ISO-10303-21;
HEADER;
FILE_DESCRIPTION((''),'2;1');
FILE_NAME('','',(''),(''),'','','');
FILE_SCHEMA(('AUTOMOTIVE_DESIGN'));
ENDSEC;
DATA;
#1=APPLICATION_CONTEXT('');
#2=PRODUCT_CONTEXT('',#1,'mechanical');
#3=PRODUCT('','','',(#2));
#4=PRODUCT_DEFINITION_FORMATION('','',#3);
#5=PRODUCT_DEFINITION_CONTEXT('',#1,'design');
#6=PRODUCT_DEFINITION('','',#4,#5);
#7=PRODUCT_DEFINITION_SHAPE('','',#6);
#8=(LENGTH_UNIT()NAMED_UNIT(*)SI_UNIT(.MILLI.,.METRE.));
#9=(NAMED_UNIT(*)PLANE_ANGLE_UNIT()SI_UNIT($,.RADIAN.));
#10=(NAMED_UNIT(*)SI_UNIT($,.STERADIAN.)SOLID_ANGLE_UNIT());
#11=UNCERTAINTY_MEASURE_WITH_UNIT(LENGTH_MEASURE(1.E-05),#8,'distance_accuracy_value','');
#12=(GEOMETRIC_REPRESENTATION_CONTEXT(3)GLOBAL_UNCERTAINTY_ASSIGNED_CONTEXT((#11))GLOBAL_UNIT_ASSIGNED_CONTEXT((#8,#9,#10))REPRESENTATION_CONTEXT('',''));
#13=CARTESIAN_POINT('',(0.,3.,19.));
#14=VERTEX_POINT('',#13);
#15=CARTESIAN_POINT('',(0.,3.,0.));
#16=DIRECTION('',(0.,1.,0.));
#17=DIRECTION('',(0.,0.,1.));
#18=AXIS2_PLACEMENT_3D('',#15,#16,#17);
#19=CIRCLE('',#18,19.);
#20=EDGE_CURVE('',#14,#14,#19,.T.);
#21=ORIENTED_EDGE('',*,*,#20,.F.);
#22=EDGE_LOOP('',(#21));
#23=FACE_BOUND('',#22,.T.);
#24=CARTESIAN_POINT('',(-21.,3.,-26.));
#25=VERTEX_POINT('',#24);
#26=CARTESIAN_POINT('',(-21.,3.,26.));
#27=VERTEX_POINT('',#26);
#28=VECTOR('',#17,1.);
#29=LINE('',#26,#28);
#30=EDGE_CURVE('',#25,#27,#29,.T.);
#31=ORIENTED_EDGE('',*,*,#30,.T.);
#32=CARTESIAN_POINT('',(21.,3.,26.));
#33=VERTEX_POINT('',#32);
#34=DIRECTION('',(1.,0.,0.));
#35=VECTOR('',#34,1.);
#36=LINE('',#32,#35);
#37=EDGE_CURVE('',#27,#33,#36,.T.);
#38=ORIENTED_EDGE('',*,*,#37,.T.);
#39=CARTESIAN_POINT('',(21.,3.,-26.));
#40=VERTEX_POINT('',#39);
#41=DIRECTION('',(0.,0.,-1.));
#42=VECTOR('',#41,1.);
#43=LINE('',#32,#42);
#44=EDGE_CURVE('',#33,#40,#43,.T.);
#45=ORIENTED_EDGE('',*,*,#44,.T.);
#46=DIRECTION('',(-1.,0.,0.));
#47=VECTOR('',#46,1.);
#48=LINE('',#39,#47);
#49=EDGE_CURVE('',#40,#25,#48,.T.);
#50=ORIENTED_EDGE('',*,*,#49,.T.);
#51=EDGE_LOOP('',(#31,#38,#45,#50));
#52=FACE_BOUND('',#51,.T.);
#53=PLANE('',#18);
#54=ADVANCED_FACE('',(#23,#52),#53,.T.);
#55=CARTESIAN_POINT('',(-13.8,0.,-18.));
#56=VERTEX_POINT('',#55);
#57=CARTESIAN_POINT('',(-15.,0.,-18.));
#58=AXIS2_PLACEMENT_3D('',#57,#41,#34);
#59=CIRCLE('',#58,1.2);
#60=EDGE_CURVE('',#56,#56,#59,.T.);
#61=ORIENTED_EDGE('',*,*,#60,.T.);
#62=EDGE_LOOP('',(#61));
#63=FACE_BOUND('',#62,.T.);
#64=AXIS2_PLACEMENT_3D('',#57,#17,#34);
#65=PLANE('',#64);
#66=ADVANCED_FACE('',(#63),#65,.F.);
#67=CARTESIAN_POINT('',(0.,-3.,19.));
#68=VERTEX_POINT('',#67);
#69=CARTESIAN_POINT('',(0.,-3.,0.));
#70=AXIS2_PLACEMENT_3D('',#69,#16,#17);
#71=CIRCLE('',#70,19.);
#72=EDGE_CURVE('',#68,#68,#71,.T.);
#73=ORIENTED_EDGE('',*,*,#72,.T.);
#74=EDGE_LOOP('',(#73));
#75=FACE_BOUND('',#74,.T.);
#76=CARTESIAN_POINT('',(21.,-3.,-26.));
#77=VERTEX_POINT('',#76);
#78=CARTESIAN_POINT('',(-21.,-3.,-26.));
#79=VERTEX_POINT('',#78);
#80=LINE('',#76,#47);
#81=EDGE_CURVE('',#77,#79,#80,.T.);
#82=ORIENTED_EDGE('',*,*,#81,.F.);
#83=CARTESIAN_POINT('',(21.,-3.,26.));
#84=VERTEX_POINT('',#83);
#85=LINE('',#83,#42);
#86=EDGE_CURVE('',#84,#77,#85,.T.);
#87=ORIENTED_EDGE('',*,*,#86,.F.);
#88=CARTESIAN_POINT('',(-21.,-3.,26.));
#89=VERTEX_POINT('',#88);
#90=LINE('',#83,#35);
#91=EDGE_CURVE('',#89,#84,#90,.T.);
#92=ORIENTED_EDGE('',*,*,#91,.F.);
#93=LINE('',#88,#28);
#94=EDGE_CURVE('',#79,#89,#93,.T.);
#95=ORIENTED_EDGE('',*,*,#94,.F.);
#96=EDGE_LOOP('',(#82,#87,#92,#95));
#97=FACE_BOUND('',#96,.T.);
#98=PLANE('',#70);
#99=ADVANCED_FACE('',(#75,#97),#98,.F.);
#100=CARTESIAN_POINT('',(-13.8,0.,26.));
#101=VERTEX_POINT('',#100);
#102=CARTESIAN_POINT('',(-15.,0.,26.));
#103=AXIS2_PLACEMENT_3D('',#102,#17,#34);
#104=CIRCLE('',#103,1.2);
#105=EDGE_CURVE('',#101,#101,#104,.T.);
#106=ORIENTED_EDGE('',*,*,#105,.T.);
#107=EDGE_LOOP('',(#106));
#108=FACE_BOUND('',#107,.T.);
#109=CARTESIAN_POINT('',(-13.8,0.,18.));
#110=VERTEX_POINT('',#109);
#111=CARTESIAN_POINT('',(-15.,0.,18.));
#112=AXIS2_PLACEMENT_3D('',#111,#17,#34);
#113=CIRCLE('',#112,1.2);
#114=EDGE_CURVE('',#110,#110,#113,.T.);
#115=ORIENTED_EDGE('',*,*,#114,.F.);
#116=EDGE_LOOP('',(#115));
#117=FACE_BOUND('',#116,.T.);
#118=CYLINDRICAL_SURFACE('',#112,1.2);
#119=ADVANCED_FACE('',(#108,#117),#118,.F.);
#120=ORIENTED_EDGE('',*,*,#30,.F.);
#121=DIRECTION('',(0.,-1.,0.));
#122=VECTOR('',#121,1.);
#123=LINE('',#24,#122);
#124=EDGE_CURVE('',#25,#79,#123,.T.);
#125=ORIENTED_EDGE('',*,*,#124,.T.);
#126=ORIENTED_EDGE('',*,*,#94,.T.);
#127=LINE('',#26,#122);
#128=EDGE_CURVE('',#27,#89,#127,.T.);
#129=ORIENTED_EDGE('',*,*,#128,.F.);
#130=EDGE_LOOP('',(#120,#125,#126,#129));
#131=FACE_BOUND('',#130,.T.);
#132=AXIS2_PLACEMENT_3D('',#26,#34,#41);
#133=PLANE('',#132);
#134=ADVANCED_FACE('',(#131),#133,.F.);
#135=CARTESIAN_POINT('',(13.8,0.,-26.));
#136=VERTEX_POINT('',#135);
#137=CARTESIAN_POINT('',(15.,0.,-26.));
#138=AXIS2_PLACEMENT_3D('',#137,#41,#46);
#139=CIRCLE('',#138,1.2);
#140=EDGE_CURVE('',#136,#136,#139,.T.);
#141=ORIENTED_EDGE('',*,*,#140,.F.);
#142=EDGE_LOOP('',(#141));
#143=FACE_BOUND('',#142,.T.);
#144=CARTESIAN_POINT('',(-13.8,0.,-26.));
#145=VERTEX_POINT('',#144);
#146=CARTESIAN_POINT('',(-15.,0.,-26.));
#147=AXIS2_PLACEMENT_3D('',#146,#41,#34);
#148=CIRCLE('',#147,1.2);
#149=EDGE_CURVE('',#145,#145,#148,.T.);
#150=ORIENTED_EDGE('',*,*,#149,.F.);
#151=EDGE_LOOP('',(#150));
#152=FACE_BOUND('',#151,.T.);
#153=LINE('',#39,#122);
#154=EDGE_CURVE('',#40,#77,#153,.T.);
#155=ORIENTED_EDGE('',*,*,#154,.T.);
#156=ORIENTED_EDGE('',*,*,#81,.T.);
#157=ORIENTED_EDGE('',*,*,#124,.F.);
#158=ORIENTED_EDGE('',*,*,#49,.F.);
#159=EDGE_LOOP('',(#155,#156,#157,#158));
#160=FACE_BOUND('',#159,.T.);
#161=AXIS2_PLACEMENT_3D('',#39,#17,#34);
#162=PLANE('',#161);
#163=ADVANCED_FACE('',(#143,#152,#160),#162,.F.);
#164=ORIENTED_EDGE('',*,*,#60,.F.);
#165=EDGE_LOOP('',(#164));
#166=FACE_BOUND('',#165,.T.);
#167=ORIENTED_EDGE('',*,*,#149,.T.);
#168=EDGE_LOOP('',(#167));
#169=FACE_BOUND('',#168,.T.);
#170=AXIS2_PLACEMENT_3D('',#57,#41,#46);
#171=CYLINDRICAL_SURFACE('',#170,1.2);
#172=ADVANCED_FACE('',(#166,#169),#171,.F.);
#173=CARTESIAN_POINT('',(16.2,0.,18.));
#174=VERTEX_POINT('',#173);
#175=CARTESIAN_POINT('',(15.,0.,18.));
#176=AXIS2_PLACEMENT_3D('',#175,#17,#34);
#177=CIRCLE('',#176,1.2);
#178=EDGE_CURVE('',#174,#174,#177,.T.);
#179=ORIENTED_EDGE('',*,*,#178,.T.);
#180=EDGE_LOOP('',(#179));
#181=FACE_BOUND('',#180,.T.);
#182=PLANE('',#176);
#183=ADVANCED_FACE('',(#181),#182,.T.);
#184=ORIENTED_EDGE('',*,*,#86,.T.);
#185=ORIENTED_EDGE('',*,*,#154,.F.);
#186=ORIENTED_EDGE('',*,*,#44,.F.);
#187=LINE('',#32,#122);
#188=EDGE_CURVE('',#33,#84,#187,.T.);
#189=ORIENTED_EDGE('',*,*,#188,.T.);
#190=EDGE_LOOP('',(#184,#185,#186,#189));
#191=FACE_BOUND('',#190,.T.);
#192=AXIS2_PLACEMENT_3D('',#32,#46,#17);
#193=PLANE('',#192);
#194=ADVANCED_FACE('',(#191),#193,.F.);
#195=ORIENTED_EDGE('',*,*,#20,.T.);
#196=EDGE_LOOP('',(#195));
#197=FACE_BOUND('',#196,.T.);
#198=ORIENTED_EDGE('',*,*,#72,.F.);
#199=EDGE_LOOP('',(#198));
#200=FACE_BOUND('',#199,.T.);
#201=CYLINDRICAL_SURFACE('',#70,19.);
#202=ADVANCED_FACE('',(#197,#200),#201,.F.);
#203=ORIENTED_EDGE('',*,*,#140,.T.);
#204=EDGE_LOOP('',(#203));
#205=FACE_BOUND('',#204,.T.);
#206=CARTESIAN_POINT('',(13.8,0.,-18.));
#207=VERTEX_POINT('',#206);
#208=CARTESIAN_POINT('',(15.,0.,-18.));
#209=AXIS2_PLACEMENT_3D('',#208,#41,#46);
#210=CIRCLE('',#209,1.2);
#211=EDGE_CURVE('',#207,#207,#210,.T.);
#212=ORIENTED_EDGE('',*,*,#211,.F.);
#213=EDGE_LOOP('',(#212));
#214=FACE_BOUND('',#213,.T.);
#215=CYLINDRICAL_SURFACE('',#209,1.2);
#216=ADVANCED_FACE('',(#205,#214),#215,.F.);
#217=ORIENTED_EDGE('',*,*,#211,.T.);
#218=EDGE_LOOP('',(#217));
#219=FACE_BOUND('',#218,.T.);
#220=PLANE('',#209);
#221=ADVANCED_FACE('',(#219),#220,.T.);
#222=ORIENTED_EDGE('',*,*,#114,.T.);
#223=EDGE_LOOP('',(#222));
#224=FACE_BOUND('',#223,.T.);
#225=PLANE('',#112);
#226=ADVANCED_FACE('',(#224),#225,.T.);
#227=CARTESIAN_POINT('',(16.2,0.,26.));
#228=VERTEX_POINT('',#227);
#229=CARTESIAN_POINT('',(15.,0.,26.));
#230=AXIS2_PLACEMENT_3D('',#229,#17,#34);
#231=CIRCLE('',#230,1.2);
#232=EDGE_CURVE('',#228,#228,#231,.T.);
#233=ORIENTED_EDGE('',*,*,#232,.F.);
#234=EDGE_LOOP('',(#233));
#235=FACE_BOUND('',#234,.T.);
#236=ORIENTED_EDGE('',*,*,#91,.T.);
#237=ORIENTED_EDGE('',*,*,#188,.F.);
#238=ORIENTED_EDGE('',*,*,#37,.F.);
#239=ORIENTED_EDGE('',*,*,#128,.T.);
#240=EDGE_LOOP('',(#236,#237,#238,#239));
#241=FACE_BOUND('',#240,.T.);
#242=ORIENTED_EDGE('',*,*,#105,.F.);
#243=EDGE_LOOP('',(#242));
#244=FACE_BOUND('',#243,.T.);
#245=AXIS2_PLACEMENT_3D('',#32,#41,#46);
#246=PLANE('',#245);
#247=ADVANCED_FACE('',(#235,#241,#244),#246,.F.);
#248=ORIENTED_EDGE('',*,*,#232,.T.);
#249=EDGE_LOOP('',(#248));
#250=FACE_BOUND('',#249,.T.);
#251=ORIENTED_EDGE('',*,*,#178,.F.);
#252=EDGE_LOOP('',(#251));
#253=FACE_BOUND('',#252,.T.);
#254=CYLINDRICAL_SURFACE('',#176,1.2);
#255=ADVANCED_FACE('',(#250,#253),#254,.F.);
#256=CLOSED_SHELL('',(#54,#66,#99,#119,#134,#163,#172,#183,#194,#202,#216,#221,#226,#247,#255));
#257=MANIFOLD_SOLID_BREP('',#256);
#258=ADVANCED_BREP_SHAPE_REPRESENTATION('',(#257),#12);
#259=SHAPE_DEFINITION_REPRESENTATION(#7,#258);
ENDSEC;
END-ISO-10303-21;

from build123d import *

# Parameters (mm, degrees)
SKETCH1_W           = 42
SKETCH1_H           = 52
BOSS_EXTRUDE1_DEPTH = 3
SKETCH2_R           = 19
CUT_EXTRUDE1_DEPTH  = 7
SKETCH3_R           = 1.2
CUT_EXTRUDE2_DEPTH  = 8
SKETCH4_R           = 1.2
CUT_EXTRUDE3_DEPTH  = 8


with BuildPart() as part:
    # Sketch1 → Boss-Extrude1 (new body, symmetric)
    with BuildSketch(Plane(origin=(0, 0, 0), x_dir=(1, 0, 0), z_dir=(0, 1, 0))):
        Rectangle(SKETCH1_W, SKETCH1_H)
    extrude(amount=BOSS_EXTRUDE1_DEPTH, both=True)

    # Sketch2 → Cut-Extrude1 (cut, through all)
    with BuildSketch(Plane(origin=(0, 3, 0), x_dir=(1, 0, 0), z_dir=(0, 1, 0))):
        Circle(SKETCH2_R)
    extrude(amount=-CUT_EXTRUDE1_DEPTH, mode=Mode.SUBTRACT)

    # Sketch3 → Cut-Extrude2 (cut)
    with BuildSketch(Plane(origin=(0, 0, -26), x_dir=(-1, 0, 0), z_dir=(0, 0, -1))):
        with Locations((-15, 0)):
            Circle(SKETCH3_R)
        with Locations((15, 0)):
            Circle(SKETCH3_R)
    extrude(amount=-CUT_EXTRUDE2_DEPTH, mode=Mode.SUBTRACT)

    # Sketch4 → Cut-Extrude3 (cut)
    with BuildSketch(Plane.XY.offset(26)):
        with Locations((15, 0)):
            Circle(SKETCH4_R)
        with Locations((-15, 0)):
            Circle(SKETCH4_R)
    extrude(amount=-CUT_EXTRUDE3_DEPTH, mode=Mode.SUBTRACT)


solid = part.part
